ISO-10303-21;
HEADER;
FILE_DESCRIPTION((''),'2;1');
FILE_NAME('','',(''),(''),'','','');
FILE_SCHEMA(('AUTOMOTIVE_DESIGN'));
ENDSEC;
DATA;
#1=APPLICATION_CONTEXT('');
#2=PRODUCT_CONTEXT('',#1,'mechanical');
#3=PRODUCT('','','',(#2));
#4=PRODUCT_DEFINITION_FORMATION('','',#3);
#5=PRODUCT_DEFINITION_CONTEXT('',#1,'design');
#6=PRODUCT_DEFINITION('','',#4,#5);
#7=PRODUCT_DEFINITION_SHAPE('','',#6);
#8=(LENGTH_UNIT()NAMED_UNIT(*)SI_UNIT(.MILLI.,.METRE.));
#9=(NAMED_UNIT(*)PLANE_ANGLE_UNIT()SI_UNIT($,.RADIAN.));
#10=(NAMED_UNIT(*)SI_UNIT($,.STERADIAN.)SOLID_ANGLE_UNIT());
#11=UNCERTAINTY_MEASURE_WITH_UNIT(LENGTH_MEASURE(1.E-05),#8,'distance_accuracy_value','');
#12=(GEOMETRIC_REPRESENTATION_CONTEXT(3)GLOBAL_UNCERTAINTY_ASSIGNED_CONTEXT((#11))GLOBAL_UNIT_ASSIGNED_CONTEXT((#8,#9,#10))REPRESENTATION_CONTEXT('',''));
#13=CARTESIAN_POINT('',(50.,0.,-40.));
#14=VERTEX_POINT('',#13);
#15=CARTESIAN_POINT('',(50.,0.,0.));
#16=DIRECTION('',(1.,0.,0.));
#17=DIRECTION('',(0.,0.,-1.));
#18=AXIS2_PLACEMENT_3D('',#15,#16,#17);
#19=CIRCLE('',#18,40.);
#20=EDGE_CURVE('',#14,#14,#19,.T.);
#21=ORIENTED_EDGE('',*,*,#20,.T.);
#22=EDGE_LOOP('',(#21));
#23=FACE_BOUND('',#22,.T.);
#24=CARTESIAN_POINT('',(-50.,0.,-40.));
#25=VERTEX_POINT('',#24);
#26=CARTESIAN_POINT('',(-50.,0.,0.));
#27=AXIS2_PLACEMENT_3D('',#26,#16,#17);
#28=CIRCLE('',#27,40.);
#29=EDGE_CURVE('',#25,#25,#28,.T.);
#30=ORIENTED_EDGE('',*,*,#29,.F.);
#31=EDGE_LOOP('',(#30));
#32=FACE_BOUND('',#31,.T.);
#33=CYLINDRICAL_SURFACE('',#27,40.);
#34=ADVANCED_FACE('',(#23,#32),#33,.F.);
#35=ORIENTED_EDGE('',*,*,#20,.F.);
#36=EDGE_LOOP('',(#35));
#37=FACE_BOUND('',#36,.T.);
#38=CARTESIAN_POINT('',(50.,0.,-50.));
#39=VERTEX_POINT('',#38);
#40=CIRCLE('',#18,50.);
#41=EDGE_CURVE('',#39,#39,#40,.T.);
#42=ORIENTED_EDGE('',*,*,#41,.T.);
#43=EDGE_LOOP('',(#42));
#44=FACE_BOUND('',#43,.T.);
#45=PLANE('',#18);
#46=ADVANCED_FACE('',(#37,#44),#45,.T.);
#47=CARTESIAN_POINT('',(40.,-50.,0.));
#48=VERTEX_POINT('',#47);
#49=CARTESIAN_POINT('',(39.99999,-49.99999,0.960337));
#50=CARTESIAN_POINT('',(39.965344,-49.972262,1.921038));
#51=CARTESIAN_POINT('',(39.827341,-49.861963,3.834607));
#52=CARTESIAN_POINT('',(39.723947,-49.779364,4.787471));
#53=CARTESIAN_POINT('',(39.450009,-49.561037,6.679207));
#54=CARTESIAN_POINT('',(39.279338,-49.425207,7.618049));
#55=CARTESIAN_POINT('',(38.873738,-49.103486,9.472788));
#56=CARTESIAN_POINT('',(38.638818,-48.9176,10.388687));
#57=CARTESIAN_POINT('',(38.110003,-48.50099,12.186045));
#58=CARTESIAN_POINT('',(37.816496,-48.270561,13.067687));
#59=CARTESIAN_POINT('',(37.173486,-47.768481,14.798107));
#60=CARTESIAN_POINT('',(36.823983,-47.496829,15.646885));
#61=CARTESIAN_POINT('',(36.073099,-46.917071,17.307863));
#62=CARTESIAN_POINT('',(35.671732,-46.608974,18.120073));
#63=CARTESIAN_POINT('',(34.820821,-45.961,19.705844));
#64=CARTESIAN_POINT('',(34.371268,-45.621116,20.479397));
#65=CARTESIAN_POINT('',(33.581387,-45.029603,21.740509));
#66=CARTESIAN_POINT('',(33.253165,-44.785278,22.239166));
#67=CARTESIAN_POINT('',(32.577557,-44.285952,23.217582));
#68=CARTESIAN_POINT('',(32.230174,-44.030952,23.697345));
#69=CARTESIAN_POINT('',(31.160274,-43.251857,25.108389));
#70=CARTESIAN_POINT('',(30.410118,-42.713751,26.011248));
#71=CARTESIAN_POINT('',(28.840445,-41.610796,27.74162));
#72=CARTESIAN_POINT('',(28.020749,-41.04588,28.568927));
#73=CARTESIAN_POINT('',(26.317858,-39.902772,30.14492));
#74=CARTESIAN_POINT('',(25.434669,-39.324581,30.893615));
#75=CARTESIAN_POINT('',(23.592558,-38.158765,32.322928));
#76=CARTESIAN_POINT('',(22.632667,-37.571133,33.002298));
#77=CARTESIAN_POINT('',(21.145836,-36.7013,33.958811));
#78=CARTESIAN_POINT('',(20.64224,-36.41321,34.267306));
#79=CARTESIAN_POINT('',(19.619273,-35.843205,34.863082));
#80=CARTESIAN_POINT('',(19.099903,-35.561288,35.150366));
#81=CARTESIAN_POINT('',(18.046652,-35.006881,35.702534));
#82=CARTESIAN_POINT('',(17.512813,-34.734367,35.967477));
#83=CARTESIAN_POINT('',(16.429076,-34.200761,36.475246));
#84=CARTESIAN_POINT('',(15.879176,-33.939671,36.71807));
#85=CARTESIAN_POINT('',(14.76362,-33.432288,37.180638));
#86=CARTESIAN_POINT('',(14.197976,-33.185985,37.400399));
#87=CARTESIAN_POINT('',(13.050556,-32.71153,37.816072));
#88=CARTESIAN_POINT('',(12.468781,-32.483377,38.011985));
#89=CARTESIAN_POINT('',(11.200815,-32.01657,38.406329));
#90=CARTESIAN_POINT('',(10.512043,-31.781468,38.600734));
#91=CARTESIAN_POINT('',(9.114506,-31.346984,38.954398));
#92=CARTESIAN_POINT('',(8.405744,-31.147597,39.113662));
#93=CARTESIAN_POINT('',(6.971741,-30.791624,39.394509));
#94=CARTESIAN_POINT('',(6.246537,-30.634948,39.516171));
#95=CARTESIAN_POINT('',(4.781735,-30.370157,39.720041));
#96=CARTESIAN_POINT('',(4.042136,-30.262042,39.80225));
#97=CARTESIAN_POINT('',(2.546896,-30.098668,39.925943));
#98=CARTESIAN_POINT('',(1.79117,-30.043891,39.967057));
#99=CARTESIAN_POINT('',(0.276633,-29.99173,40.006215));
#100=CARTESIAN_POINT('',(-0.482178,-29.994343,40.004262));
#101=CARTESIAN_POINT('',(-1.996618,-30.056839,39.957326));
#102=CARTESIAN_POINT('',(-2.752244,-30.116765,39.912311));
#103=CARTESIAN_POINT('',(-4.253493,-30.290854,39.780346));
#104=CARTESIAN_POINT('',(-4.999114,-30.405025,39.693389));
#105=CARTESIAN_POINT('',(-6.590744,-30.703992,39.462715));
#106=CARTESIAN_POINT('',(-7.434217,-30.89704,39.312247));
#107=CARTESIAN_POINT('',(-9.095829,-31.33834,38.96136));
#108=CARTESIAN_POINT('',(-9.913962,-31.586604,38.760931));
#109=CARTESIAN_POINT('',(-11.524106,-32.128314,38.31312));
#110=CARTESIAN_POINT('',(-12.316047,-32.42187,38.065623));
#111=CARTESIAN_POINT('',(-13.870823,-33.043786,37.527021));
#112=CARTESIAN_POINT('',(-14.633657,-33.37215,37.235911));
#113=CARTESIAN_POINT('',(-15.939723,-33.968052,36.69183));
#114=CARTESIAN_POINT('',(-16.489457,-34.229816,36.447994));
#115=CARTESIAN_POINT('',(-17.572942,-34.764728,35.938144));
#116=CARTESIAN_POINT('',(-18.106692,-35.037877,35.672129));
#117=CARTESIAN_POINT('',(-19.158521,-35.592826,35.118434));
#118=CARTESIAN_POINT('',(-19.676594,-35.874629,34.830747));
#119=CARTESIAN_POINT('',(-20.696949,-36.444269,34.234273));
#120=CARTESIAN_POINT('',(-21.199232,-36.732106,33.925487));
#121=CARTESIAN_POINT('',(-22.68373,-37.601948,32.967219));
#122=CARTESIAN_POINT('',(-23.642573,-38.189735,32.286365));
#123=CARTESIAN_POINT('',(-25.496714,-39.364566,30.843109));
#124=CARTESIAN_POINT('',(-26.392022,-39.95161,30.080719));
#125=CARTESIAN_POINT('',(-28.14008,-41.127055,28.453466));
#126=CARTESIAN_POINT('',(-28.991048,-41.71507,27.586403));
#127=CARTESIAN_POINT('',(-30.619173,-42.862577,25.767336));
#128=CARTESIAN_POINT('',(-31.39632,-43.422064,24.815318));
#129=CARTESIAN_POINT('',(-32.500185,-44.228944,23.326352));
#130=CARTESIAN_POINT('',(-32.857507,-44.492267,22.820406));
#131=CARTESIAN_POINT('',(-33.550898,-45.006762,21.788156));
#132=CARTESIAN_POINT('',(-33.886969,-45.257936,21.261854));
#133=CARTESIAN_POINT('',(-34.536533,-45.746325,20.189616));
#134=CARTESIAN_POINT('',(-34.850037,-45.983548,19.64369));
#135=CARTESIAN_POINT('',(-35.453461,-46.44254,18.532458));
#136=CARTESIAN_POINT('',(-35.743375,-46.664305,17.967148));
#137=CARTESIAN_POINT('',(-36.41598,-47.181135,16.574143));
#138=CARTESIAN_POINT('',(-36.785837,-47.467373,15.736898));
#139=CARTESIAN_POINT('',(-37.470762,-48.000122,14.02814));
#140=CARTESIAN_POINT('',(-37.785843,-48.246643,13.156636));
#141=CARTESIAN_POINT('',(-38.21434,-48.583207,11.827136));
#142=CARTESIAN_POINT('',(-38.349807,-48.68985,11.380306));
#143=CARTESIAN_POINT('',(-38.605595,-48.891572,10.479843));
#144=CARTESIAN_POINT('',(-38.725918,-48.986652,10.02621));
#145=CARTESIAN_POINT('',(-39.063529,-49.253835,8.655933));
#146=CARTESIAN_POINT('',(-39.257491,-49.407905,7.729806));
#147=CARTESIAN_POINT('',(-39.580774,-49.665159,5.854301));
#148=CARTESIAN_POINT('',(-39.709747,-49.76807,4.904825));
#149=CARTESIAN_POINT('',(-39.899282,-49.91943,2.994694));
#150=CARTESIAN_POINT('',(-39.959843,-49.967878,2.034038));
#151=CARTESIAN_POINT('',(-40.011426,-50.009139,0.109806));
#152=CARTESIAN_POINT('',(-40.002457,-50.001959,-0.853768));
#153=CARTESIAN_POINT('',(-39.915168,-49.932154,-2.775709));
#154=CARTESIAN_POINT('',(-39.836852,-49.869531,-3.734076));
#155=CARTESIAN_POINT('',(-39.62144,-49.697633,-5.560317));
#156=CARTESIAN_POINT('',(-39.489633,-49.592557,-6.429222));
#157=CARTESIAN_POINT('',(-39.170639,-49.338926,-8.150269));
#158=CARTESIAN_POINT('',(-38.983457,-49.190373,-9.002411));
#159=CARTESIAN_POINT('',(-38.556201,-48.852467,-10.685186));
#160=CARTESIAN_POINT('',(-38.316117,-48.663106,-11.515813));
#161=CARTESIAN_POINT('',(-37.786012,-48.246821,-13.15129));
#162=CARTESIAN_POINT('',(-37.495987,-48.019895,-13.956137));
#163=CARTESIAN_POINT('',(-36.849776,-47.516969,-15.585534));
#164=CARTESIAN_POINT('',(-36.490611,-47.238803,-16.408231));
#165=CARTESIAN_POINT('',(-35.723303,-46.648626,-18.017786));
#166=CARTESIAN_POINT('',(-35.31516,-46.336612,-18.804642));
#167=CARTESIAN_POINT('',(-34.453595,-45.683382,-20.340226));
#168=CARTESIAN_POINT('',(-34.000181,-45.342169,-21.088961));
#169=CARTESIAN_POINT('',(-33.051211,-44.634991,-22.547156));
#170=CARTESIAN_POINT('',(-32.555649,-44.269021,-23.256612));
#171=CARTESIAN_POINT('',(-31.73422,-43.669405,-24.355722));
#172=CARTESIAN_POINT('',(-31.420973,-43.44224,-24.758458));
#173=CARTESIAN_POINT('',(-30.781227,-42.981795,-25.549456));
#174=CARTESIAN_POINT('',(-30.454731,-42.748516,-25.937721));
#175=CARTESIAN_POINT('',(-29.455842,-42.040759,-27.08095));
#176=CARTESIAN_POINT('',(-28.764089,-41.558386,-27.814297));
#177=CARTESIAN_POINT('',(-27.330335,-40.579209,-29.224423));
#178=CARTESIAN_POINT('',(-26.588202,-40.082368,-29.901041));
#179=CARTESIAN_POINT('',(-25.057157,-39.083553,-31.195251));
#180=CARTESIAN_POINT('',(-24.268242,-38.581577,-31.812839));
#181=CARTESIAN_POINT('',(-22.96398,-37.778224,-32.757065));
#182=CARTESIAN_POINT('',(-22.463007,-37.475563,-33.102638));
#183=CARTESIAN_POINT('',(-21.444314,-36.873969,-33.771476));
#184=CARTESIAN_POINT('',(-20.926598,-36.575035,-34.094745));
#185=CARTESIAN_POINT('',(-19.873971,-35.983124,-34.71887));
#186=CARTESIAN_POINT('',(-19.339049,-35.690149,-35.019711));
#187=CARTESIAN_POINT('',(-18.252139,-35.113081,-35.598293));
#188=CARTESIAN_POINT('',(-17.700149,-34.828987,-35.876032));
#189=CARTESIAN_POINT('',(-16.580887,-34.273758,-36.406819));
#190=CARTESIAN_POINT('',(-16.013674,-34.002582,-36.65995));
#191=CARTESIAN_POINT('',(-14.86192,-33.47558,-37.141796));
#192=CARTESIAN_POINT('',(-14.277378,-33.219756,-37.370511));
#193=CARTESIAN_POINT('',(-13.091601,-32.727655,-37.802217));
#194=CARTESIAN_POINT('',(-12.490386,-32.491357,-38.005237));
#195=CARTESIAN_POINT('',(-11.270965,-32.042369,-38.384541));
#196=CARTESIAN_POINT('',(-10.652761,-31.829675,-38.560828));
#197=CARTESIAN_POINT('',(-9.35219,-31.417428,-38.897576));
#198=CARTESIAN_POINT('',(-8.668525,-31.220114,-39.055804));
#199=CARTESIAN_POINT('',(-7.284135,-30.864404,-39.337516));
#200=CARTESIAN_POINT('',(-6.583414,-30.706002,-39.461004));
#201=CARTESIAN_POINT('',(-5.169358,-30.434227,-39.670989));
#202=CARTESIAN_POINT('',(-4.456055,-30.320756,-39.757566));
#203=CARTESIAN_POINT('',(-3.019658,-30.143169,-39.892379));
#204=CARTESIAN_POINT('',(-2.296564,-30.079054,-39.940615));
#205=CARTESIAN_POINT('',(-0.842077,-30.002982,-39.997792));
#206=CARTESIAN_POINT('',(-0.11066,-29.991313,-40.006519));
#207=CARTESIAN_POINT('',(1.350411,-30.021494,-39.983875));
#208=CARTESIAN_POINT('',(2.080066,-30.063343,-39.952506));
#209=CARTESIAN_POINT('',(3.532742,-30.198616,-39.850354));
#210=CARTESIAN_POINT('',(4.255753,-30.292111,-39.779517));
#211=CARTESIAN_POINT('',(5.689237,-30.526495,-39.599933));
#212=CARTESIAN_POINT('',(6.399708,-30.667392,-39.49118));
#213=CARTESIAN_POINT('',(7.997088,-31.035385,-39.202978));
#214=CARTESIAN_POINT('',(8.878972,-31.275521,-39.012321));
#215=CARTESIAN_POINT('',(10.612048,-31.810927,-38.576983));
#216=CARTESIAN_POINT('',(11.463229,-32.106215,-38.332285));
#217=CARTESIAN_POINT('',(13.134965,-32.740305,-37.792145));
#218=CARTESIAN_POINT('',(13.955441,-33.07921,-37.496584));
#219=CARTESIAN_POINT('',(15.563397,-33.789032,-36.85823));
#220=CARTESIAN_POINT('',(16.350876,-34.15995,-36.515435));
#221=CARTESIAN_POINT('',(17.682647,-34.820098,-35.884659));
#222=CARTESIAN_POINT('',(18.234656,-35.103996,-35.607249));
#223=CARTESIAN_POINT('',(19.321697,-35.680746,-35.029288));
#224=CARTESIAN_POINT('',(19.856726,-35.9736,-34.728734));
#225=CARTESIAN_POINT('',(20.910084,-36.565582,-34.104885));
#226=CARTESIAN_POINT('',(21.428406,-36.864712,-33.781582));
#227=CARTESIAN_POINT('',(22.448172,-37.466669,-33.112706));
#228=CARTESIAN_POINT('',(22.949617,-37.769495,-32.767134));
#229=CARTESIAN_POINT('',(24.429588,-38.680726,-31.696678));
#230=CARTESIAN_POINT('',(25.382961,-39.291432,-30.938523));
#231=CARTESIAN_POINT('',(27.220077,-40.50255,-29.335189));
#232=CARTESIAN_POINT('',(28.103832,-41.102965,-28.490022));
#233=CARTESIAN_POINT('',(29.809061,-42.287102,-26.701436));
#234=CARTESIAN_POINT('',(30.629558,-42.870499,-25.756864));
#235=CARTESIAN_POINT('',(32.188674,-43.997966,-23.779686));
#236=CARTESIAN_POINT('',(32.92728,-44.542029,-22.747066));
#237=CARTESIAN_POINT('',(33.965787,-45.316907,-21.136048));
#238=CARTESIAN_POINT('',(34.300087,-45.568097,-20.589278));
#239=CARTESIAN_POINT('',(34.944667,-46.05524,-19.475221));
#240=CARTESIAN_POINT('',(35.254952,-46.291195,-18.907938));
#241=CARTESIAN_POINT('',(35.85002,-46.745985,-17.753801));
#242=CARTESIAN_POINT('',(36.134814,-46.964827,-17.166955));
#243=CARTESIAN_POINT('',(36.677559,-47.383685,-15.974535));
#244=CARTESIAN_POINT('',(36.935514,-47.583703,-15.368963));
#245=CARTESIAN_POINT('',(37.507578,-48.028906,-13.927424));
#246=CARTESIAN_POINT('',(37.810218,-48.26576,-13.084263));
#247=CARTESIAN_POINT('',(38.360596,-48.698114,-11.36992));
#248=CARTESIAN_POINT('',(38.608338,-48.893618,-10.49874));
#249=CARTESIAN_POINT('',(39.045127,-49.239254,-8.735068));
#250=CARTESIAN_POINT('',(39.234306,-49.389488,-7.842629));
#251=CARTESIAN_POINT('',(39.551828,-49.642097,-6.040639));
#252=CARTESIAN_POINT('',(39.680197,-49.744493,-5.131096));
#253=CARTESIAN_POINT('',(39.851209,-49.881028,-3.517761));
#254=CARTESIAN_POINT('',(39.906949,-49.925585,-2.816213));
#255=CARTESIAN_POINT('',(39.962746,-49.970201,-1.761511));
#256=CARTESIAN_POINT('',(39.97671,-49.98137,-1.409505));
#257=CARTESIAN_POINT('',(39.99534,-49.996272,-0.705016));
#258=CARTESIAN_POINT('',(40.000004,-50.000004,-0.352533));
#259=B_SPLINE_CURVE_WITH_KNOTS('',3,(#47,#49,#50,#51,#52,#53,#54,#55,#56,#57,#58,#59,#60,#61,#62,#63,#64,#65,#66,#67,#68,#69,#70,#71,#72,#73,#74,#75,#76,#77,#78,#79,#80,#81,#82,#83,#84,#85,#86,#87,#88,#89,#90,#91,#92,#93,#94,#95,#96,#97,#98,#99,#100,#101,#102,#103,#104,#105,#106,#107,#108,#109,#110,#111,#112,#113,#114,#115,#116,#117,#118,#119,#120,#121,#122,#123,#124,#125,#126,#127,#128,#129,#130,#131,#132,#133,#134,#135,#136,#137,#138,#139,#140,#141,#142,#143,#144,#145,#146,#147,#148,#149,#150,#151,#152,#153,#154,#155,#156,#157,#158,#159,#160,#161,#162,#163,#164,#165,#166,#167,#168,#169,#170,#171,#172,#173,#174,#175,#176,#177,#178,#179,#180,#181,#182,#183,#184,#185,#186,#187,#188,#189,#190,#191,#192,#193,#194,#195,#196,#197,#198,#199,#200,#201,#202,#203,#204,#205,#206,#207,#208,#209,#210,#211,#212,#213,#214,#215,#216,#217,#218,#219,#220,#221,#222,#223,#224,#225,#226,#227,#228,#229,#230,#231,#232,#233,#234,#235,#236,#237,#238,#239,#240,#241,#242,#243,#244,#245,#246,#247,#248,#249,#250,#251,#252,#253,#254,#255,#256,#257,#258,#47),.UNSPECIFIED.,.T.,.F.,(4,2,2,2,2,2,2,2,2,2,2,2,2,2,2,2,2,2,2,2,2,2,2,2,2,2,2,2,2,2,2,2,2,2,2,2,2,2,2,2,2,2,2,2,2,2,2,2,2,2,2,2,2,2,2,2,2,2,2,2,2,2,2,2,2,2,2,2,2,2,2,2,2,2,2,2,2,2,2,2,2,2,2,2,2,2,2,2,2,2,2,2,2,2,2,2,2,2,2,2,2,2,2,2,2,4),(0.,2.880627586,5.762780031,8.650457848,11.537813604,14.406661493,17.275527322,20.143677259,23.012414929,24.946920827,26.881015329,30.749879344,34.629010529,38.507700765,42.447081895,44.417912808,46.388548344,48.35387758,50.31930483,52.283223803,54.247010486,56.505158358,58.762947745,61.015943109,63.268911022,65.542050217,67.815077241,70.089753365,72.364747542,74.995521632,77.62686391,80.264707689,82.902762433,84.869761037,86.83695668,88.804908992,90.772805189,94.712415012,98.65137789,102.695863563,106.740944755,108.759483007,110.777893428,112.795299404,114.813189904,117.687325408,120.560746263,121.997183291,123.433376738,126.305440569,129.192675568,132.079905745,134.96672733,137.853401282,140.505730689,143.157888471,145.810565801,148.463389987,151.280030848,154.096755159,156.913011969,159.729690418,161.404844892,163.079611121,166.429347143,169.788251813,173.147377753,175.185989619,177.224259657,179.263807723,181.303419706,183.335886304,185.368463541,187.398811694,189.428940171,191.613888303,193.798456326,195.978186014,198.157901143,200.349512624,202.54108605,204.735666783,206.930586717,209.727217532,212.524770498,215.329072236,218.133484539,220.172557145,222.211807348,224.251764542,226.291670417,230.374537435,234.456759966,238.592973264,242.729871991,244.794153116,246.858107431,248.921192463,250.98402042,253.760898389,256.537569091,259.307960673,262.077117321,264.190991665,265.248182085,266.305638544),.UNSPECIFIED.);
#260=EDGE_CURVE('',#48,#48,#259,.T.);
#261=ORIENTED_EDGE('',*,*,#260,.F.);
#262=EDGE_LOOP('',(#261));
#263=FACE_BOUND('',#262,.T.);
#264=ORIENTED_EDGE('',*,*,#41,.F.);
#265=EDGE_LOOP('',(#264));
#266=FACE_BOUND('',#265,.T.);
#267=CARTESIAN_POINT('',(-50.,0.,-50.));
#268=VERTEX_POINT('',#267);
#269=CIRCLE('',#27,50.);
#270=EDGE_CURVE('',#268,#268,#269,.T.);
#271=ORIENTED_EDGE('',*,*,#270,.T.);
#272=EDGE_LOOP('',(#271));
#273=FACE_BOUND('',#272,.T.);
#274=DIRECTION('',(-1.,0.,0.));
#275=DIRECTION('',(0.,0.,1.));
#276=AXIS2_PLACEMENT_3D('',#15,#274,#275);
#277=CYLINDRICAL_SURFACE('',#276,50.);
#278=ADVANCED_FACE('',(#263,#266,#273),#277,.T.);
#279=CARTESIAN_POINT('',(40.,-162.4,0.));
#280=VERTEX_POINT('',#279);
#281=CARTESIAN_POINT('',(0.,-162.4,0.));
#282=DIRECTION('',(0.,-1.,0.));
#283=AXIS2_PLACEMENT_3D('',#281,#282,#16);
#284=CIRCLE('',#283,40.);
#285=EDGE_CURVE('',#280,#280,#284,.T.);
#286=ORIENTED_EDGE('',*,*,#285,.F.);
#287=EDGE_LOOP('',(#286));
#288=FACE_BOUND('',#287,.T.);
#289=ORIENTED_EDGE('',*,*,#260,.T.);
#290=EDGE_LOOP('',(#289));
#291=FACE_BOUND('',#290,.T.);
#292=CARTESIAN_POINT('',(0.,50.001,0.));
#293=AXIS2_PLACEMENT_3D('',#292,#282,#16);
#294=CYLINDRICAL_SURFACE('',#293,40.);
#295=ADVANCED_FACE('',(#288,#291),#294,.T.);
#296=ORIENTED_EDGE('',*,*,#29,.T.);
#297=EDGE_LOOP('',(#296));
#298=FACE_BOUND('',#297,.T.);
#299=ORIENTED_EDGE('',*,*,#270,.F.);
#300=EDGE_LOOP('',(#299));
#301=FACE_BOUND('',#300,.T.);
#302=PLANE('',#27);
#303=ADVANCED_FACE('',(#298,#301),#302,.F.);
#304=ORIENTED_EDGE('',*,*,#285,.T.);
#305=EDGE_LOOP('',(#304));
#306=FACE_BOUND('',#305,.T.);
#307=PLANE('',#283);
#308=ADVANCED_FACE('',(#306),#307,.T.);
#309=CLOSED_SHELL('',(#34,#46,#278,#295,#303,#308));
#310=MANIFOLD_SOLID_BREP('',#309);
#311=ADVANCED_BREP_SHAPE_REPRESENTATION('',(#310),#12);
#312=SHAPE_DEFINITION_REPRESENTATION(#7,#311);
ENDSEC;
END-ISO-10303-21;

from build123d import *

# Parameters (mm, degrees)
EXTRUDE_1_DEPTH          = 50
EXTRUDE_1_DEPTH_BACK     = 50
SKETCH_1_R               = 50
CUT_EXTRUDE_2_DEPTH      = 50
CUT_EXTRUDE_2_DEPTH_BACK = 50
SKETCH_2_R               = 40
EXTRUDE_2_REACH          = 225.861
EXTRUDE_2_END_RADIUS     = 50
SKETCH_3_R               = 40


with BuildPart() as part:
    # 草图1 → 凸台-拉伸1 (new, two sides: drawn at the far end of the back side and taken through both)
    with BuildSketch(Plane(origin=(0, 0, 0), x_dir=(0, 0, -1), z_dir=(1, 0, 0)).offset(-EXTRUDE_1_DEPTH_BACK)):
        Circle(SKETCH_1_R)
    extrude(amount=EXTRUDE_1_DEPTH + EXTRUDE_1_DEPTH_BACK)

    # 草图2 → 切除-拉伸2 (cut, two sides: drawn at the far end of the back side and taken through both)
    with BuildSketch(Plane(origin=(0, 0, 0), x_dir=(0, 0, -1), z_dir=(1, 0, 0)).offset(-CUT_EXTRUDE_2_DEPTH_BACK)):
        Circle(SKETCH_2_R)
    extrude(amount=CUT_EXTRUDE_2_DEPTH + CUT_EXTRUDE_2_DEPTH_BACK, mode=Mode.SUBTRACT)

    # 凸台-拉伸2: up to this cylinder (the profile starts outside it)
    extrude_2_end = Plane(origin=(0, 0, 0), z_dir=(-1, 0, 0)) * Cylinder(EXTRUDE_2_END_RADIUS, 552.722, mode=Mode.PRIVATE)
    # 草图3 → 凸台-拉伸2 (add, up to the surface)
    with BuildSketch(Plane(origin=(0, -162.4, 0), x_dir=(-1, 0, 0), z_dir=(0, -1, 0)), mode=Mode.PRIVATE) as extrude_2_sk1:
        Circle(SKETCH_3_R)
    extrude_2_tool1 = extrude(extrude_2_sk1.sketch, amount=-EXTRUDE_2_REACH, mode=Mode.PRIVATE) - extrude_2_end
    add(extrude_2_tool1.solids().sort_by_distance((0, -162.4, 0))[0])


solid = part.part
